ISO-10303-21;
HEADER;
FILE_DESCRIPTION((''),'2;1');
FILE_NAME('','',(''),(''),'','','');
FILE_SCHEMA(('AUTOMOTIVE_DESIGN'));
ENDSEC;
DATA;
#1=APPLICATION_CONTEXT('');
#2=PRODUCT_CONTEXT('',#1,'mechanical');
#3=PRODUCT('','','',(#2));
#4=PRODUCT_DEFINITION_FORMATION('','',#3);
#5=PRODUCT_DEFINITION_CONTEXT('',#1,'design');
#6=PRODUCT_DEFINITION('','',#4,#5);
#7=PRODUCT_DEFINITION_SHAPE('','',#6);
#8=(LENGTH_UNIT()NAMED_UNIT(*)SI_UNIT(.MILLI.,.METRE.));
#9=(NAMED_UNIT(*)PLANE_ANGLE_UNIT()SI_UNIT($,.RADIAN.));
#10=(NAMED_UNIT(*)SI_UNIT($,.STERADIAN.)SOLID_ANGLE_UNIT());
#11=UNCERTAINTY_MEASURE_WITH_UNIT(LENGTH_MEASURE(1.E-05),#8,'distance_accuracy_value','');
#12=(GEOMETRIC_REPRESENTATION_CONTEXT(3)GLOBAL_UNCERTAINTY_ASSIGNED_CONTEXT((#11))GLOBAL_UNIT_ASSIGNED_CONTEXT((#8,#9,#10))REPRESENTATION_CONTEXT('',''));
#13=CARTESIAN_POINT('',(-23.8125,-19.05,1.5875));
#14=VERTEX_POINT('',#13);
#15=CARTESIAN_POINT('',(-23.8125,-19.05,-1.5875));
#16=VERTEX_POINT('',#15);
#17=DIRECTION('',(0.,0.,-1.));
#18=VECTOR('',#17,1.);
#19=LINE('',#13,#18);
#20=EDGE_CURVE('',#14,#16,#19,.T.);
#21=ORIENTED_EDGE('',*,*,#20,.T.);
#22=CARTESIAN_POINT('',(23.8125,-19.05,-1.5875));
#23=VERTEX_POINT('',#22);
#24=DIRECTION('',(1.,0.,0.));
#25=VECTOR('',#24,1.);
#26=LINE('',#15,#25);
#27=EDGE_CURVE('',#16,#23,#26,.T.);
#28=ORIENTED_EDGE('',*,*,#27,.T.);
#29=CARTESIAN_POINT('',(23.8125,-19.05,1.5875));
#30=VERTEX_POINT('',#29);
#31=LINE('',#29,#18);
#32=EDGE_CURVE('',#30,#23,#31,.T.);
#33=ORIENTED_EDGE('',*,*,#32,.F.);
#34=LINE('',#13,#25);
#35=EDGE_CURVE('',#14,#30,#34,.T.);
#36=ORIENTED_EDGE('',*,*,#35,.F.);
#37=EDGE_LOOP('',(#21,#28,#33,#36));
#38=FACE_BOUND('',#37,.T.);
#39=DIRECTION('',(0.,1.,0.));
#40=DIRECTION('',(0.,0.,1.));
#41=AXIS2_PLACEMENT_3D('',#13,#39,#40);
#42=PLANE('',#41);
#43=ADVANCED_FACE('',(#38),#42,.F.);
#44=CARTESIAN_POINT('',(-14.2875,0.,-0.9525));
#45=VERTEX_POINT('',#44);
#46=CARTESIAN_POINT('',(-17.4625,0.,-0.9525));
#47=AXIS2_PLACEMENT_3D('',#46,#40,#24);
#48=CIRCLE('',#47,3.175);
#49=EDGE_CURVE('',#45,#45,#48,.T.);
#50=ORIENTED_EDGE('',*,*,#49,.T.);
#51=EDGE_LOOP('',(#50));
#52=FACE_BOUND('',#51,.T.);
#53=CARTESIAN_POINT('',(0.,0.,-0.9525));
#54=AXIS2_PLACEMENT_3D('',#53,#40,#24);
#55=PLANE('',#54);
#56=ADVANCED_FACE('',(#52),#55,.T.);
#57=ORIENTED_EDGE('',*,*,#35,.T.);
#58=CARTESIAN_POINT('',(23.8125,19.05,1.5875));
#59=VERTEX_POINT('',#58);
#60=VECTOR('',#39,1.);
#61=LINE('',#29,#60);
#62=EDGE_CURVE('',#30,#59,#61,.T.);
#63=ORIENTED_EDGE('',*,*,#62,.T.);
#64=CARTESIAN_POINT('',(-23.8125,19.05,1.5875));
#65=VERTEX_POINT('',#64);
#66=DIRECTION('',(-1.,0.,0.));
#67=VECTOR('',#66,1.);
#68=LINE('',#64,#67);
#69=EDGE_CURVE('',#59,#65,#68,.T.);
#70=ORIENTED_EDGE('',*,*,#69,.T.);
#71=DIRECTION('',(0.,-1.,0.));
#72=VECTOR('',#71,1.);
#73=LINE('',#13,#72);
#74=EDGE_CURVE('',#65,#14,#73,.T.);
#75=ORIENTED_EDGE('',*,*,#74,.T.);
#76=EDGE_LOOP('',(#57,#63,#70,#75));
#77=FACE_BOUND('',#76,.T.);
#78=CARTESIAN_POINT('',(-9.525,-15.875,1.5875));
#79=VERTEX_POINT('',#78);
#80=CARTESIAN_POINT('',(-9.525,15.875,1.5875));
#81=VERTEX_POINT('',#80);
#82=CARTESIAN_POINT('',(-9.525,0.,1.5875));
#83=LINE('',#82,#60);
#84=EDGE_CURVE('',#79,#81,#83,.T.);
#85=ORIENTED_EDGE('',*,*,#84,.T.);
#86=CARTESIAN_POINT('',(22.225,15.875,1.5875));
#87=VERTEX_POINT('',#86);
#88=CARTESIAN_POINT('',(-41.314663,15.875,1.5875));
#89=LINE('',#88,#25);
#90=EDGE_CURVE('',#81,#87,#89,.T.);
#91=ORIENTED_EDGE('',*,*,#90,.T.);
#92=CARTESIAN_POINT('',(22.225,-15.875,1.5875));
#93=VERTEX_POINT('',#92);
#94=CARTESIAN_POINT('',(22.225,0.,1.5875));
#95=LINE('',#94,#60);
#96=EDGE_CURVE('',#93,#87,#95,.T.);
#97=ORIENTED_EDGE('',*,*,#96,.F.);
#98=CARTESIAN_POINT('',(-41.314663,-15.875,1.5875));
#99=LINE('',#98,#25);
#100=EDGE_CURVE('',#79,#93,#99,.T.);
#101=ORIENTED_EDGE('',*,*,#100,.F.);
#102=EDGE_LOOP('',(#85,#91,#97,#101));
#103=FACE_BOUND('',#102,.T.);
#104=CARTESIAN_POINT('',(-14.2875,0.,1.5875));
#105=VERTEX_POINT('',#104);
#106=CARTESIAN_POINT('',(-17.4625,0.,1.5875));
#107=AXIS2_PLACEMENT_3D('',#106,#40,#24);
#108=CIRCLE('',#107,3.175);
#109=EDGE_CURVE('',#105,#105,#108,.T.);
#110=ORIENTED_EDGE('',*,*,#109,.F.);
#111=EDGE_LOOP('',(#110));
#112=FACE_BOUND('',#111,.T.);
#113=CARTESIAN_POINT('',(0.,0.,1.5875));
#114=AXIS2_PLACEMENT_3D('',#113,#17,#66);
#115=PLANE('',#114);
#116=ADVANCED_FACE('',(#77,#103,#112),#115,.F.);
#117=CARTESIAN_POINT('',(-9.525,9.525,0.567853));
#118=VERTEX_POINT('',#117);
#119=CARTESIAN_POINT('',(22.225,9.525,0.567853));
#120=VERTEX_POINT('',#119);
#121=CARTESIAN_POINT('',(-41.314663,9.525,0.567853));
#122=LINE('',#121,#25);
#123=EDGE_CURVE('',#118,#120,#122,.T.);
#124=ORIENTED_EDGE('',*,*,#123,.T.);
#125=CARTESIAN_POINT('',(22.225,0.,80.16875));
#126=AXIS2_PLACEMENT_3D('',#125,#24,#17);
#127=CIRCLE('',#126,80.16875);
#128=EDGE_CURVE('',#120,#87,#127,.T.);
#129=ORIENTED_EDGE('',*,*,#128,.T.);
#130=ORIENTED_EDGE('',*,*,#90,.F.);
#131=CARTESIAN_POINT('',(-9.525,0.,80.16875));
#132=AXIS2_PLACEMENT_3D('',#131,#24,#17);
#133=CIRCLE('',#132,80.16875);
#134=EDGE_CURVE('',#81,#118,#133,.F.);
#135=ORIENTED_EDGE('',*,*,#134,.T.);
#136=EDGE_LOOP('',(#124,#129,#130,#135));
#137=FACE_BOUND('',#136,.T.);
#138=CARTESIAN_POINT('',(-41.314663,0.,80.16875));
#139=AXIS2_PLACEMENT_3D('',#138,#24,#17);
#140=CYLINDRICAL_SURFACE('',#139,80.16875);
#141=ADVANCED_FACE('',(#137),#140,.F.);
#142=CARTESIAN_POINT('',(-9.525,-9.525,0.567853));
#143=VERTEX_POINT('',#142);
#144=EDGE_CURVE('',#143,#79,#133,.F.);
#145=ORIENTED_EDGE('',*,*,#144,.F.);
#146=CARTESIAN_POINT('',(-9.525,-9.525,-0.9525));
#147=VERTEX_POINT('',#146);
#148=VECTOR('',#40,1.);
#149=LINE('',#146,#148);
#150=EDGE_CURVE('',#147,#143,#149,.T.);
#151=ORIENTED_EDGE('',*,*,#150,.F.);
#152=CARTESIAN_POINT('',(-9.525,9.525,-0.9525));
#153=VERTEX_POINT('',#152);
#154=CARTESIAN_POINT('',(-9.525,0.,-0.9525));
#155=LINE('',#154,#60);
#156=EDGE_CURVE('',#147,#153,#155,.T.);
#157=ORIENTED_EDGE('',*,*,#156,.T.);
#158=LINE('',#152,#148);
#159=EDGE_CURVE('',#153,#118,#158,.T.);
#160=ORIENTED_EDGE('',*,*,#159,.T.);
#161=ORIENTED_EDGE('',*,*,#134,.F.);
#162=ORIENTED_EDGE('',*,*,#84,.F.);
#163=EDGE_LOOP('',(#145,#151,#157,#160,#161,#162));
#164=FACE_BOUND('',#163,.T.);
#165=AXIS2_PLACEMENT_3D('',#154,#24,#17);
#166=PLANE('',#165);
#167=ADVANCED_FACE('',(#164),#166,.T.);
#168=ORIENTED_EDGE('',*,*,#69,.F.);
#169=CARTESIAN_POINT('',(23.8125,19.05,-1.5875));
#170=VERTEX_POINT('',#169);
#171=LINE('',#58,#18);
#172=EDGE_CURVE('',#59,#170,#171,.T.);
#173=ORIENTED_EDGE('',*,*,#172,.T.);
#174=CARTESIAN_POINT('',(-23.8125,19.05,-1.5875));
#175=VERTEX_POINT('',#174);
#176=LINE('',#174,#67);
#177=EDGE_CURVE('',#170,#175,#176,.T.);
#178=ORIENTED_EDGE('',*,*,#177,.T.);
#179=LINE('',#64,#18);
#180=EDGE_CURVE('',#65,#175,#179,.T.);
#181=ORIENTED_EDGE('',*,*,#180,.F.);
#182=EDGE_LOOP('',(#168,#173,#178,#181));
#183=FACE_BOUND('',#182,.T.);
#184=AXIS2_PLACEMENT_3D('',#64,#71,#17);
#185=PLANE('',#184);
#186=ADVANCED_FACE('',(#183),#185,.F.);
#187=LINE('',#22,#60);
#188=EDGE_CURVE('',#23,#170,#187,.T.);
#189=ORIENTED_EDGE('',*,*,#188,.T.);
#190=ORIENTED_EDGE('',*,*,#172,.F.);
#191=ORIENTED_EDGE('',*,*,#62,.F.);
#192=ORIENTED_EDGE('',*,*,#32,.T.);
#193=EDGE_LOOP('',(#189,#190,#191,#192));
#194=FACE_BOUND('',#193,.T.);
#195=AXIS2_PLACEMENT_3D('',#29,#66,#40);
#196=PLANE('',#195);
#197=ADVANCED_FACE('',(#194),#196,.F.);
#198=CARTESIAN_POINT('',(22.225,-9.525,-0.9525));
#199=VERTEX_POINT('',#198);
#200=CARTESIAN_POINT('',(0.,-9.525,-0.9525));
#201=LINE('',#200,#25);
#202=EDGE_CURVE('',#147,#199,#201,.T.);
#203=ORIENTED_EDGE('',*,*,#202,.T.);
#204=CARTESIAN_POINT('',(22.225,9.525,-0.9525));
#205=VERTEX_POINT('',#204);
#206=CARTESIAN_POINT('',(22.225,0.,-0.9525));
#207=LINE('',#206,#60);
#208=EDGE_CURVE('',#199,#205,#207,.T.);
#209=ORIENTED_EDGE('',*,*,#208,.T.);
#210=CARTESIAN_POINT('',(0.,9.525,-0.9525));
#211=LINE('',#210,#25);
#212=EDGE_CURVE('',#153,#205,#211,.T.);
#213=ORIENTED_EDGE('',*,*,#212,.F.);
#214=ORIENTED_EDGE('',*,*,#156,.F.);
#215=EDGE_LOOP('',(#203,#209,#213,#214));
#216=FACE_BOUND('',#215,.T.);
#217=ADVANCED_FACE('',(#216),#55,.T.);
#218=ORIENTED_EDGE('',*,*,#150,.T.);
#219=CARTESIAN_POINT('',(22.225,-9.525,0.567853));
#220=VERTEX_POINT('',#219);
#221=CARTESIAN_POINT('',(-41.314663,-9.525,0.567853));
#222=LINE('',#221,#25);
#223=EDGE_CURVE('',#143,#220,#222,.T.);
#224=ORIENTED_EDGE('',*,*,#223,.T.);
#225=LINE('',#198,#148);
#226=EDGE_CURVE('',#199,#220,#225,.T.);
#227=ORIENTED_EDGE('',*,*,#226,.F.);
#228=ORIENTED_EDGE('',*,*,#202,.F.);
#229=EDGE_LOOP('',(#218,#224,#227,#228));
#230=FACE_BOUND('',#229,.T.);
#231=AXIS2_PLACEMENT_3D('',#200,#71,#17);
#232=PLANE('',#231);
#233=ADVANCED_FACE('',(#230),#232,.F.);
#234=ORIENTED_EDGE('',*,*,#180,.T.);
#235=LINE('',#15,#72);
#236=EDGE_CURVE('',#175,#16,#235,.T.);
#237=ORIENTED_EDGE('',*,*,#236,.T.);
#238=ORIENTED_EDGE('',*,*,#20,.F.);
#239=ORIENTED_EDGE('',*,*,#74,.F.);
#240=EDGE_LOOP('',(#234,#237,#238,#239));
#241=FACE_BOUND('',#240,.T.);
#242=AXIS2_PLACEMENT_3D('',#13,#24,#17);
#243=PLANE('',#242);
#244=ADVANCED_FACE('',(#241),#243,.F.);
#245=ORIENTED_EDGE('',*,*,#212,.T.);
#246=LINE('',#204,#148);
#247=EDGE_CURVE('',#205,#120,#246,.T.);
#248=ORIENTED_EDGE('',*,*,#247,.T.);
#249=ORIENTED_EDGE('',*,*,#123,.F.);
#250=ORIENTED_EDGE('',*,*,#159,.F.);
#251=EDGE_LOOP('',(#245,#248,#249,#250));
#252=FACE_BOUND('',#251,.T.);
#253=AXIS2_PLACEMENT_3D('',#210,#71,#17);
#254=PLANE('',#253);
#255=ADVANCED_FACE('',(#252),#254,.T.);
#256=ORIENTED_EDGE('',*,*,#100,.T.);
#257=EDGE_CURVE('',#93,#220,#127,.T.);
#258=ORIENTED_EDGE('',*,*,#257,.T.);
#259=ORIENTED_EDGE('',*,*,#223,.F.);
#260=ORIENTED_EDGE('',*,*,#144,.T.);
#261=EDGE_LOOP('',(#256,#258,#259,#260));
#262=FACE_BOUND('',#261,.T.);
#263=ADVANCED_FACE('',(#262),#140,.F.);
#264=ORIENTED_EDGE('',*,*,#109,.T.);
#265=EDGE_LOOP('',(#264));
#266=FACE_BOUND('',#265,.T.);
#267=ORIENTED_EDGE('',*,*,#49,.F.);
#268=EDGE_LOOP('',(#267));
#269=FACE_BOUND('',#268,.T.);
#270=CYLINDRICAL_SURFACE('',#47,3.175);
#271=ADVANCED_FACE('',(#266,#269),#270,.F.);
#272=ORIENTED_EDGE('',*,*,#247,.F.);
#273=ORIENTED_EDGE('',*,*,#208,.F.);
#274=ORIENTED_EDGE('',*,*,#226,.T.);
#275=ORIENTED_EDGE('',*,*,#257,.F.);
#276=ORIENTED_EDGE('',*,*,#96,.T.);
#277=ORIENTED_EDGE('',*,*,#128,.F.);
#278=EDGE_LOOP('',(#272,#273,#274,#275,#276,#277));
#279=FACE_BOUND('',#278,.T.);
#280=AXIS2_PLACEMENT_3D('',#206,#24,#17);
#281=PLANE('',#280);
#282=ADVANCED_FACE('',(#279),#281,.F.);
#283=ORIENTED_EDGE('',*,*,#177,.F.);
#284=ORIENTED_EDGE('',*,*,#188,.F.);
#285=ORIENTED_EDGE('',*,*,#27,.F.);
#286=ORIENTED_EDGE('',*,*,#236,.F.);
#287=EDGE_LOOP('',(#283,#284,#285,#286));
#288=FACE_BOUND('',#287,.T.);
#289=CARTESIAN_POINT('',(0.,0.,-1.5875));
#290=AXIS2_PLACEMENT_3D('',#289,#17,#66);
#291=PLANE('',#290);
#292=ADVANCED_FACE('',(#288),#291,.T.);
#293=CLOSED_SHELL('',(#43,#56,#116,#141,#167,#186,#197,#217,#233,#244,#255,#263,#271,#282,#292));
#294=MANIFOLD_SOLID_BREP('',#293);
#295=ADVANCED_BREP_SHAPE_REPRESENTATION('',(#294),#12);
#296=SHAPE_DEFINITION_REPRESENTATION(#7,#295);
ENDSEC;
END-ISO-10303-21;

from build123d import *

# Parameters (mm, degrees)
SKETCH1_W           = 47.625
SKETCH1_H           = 38.1
BOSS_EXTRUDE1_DEPTH = 1.5875
SKETCH2_W           = 31.75
SKETCH2_H           = 19.05
SKETCH2_R           = 3.175
CUT_EXTRUDE1_DEPTH  = 2.54
CUT_EXTRUDE2_START  = -1.5875
CUT_EXTRUDE2_DEPTH  = 31.75


with BuildPart() as part:
    # Sketch1 → Boss-Extrude1 (new body, symmetric)
    with BuildSketch(Plane.XY):
        Rectangle(SKETCH1_W, SKETCH1_H)
    extrude(amount=BOSS_EXTRUDE1_DEPTH, both=True)

    # Sketch2 → Cut-Extrude1 (cut)
    with BuildSketch(Plane.XY.offset(1.5875)):
        with Locations((6.35, 0)):
            Rectangle(SKETCH2_W, SKETCH2_H)
        with Locations((-17.4625, 0)):
            Circle(SKETCH2_R)
    extrude(amount=-CUT_EXTRUDE1_DEPTH, mode=Mode.SUBTRACT)

    # Sketch4 → Cut-Extrude2 (cut)
    with BuildSketch(Plane(origin=(23.8125, 0, 0), x_dir=(0, 0, -1), z_dir=(1, 0, 0)).offset(CUT_EXTRUDE2_START)):
        with BuildLine():
            ThreePointArc((0, 0), (-0.397862257, 7.977088774), (-1.5875, 15.875))
            Line((-1.5875, 15.875), (-1.5875, -15.875))
            ThreePointArc((-1.5875, -15.875), (-0.397862257, -7.977088774), (0, 0))
        make_face()
    extrude(amount=-CUT_EXTRUDE2_DEPTH, mode=Mode.SUBTRACT)


solid = part.part
